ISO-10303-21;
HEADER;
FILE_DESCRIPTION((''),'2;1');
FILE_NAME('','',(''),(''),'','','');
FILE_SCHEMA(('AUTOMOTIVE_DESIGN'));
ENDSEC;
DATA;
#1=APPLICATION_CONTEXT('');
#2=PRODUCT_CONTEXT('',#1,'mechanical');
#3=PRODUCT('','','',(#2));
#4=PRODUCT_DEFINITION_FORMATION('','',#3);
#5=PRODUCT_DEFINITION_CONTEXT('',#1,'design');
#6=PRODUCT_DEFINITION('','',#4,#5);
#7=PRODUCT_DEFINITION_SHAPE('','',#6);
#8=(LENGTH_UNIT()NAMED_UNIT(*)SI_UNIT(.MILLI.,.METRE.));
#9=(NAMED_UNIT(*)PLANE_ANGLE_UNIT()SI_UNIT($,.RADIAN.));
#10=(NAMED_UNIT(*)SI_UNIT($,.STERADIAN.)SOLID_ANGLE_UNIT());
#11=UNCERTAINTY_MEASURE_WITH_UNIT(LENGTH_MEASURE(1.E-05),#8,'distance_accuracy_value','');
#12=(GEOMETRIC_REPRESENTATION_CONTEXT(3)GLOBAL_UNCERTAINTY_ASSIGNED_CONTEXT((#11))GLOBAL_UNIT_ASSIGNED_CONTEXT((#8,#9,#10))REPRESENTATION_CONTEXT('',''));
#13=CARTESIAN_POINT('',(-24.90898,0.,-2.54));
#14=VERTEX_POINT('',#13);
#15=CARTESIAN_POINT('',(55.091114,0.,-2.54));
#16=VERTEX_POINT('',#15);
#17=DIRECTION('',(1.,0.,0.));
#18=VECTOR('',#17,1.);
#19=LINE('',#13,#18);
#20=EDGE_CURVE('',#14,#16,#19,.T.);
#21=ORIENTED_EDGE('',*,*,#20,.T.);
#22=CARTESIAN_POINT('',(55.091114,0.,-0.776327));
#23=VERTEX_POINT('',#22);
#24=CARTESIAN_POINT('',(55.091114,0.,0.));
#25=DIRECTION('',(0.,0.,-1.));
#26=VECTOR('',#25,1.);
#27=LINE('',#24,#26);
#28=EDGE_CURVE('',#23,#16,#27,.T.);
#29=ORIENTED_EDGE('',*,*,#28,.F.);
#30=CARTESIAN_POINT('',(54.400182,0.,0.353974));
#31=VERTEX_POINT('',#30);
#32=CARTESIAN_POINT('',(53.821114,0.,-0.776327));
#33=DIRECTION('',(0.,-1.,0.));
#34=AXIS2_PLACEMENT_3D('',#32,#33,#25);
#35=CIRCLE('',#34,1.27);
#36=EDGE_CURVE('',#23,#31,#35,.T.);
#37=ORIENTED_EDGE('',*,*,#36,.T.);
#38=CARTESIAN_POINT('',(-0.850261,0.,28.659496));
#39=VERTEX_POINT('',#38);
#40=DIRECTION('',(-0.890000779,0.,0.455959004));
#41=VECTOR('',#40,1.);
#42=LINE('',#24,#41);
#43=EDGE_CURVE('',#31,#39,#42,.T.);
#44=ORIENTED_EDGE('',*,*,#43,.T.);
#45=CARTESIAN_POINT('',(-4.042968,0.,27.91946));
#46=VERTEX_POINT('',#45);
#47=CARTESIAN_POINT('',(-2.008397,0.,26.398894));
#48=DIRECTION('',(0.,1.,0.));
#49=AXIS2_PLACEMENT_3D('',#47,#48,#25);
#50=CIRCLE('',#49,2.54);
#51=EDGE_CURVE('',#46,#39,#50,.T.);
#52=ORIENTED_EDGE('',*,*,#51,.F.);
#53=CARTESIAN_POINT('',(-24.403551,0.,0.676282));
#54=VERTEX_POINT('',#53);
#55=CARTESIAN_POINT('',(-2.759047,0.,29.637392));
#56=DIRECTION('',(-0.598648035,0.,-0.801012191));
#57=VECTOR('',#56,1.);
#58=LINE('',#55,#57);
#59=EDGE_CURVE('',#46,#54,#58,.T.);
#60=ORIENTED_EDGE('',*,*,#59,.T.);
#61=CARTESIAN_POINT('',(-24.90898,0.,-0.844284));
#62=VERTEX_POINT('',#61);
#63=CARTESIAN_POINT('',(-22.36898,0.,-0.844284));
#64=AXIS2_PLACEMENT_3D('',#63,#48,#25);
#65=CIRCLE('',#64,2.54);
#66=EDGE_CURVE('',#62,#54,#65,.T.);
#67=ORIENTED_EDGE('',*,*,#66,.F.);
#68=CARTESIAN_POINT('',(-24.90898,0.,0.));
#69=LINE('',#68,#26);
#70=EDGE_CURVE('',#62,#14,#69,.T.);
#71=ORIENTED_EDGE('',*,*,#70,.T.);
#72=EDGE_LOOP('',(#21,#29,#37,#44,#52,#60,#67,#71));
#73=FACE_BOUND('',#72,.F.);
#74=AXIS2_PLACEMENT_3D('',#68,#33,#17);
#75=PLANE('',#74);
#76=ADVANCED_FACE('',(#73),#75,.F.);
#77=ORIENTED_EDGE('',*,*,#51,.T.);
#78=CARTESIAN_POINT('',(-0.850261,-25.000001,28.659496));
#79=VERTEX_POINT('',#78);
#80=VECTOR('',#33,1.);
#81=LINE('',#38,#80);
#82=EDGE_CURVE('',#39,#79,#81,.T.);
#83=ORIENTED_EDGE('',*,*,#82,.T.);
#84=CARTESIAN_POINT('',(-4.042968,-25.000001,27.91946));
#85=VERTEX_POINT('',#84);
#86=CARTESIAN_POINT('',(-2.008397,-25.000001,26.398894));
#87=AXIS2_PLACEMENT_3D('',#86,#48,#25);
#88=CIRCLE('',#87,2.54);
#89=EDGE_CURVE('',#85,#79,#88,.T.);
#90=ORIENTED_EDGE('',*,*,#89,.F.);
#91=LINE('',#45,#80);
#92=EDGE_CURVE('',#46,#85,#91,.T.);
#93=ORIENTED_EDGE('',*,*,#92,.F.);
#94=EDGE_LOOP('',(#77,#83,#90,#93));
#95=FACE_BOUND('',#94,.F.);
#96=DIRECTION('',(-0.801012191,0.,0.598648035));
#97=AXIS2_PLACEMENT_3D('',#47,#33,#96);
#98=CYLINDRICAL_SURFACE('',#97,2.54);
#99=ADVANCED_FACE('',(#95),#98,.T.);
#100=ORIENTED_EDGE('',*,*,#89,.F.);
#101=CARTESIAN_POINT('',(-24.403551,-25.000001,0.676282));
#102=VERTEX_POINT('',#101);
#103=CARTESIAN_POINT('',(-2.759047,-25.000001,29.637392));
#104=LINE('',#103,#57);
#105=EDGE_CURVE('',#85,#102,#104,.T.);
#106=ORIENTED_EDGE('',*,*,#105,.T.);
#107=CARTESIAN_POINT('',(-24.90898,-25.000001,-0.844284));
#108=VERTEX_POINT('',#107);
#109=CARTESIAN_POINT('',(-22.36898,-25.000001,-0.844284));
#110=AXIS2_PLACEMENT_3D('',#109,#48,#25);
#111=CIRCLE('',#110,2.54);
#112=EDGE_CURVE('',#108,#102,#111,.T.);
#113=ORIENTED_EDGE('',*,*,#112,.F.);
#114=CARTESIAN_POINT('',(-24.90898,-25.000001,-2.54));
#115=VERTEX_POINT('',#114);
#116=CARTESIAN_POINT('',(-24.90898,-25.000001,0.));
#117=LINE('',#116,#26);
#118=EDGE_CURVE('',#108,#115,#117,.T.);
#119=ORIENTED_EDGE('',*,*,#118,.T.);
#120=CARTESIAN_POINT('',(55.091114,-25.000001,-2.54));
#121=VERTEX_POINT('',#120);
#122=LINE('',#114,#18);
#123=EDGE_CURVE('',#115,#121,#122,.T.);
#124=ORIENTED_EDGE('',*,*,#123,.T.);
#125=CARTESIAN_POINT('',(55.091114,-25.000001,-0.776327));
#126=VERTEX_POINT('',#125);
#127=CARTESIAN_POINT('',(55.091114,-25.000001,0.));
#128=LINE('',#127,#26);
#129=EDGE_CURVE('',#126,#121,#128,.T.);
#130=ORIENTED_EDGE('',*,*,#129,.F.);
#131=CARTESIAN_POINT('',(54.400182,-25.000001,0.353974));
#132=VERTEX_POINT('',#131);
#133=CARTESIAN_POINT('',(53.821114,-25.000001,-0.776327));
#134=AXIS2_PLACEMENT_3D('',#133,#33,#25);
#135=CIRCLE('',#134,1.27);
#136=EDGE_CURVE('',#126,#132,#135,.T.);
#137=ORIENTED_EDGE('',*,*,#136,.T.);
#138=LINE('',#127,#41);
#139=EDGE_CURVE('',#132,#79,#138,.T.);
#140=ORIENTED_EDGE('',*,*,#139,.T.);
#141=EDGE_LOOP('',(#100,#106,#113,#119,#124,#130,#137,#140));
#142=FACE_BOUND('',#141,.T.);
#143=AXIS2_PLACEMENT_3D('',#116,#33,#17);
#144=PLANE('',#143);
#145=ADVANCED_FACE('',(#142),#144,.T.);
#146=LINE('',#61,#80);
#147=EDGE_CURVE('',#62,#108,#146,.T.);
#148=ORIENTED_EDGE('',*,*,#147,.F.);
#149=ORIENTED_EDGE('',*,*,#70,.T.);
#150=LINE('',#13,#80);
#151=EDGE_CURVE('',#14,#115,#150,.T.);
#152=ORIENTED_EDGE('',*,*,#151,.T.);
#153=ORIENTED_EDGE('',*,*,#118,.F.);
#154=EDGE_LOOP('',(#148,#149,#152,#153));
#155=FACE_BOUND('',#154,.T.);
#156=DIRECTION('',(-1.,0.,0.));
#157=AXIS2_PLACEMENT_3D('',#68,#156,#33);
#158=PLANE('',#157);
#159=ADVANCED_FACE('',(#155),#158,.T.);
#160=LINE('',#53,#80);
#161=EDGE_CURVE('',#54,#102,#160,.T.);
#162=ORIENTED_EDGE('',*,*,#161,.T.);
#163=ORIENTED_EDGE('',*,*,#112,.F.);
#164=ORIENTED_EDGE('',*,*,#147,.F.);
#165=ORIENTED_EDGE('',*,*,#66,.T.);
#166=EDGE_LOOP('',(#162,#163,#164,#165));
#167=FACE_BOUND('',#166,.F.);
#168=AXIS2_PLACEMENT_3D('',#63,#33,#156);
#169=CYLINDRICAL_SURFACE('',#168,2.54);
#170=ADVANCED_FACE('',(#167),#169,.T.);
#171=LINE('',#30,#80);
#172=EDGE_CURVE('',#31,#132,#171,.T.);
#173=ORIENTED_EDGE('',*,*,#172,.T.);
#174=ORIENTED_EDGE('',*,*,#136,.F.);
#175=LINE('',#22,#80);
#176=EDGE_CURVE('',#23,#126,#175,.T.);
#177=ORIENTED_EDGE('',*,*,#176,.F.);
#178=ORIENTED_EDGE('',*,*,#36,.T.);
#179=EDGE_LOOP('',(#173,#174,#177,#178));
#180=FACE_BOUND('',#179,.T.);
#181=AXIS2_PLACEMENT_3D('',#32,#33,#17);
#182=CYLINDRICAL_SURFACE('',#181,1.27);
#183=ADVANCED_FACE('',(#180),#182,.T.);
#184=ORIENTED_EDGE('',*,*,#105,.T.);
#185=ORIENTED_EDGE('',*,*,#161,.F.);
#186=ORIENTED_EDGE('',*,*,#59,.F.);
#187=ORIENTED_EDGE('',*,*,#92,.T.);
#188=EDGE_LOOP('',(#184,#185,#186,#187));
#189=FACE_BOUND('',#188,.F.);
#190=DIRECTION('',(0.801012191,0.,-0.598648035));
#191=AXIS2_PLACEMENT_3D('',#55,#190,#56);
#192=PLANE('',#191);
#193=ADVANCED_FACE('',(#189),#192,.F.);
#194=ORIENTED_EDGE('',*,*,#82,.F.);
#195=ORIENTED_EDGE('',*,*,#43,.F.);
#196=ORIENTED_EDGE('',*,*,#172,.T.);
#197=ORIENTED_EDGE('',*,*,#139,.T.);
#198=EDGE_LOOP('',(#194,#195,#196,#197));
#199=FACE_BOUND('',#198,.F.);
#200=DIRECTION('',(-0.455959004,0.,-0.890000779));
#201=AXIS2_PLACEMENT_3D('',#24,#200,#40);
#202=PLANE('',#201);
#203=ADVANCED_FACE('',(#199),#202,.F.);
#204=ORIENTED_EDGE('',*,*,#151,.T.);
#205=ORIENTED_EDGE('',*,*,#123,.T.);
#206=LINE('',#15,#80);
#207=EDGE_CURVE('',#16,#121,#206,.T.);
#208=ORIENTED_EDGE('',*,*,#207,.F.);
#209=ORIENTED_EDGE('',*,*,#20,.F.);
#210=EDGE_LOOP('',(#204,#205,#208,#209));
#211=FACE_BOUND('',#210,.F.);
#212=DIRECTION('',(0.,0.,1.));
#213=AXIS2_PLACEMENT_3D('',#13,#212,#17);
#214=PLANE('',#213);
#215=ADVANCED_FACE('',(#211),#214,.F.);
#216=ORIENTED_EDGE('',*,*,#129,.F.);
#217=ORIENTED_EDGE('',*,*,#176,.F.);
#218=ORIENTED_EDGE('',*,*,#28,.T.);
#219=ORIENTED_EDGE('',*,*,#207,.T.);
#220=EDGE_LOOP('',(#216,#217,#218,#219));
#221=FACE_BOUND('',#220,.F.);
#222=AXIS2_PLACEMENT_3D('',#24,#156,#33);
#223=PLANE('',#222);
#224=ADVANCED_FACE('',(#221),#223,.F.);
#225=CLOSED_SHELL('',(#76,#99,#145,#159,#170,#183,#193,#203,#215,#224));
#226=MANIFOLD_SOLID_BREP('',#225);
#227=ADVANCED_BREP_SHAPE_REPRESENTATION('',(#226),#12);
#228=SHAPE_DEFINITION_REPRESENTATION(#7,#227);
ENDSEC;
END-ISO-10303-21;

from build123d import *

# Parameters (mm, degrees)
F1_DEPTH = 25.0000008
F2_R     = 2.54
F3_DEPTH = 2.54
F4_R     = 2.54
F5_R     = 1.27


with BuildPart() as f1:
    # F0 (on Front) → F1 (new body)
    with BuildSketch(Plane.XZ):
        Polygon((-2.759046882, 29.6373917907), (-24.9089798809, 0), (55.0911141191, 0), align=None)
    extrude(amount=F1_DEPTH)

    # F2
    f2_edges = [f1.edges().sort_by_distance(p)[0] for p in [
        (-2.759047, -12.5, 29.637392),
    ]]
    fillet(f2_edges, radius=F2_R)

    # F3 (add): a face of the model
    f3_faces = [f1.faces().sort_by_distance(p)[0] for p in [
        (15.0910671191, -12.5000004, 0),
    ]]
    extrude(f3_faces, amount=F3_DEPTH)

    # F4
    f4_edges = [f1.edges().sort_by_distance(p)[0] for p in [
        (-24.90898, -12.5, 0),
    ]]
    fillet(f4_edges, radius=F4_R)

    # F5
    f5_edges = [f1.edges().sort_by_distance(p)[0] for p in [
        (55.091114, -12.5, 0),
    ]]
    fillet(f5_edges, radius=F5_R)


solid = f1.part
